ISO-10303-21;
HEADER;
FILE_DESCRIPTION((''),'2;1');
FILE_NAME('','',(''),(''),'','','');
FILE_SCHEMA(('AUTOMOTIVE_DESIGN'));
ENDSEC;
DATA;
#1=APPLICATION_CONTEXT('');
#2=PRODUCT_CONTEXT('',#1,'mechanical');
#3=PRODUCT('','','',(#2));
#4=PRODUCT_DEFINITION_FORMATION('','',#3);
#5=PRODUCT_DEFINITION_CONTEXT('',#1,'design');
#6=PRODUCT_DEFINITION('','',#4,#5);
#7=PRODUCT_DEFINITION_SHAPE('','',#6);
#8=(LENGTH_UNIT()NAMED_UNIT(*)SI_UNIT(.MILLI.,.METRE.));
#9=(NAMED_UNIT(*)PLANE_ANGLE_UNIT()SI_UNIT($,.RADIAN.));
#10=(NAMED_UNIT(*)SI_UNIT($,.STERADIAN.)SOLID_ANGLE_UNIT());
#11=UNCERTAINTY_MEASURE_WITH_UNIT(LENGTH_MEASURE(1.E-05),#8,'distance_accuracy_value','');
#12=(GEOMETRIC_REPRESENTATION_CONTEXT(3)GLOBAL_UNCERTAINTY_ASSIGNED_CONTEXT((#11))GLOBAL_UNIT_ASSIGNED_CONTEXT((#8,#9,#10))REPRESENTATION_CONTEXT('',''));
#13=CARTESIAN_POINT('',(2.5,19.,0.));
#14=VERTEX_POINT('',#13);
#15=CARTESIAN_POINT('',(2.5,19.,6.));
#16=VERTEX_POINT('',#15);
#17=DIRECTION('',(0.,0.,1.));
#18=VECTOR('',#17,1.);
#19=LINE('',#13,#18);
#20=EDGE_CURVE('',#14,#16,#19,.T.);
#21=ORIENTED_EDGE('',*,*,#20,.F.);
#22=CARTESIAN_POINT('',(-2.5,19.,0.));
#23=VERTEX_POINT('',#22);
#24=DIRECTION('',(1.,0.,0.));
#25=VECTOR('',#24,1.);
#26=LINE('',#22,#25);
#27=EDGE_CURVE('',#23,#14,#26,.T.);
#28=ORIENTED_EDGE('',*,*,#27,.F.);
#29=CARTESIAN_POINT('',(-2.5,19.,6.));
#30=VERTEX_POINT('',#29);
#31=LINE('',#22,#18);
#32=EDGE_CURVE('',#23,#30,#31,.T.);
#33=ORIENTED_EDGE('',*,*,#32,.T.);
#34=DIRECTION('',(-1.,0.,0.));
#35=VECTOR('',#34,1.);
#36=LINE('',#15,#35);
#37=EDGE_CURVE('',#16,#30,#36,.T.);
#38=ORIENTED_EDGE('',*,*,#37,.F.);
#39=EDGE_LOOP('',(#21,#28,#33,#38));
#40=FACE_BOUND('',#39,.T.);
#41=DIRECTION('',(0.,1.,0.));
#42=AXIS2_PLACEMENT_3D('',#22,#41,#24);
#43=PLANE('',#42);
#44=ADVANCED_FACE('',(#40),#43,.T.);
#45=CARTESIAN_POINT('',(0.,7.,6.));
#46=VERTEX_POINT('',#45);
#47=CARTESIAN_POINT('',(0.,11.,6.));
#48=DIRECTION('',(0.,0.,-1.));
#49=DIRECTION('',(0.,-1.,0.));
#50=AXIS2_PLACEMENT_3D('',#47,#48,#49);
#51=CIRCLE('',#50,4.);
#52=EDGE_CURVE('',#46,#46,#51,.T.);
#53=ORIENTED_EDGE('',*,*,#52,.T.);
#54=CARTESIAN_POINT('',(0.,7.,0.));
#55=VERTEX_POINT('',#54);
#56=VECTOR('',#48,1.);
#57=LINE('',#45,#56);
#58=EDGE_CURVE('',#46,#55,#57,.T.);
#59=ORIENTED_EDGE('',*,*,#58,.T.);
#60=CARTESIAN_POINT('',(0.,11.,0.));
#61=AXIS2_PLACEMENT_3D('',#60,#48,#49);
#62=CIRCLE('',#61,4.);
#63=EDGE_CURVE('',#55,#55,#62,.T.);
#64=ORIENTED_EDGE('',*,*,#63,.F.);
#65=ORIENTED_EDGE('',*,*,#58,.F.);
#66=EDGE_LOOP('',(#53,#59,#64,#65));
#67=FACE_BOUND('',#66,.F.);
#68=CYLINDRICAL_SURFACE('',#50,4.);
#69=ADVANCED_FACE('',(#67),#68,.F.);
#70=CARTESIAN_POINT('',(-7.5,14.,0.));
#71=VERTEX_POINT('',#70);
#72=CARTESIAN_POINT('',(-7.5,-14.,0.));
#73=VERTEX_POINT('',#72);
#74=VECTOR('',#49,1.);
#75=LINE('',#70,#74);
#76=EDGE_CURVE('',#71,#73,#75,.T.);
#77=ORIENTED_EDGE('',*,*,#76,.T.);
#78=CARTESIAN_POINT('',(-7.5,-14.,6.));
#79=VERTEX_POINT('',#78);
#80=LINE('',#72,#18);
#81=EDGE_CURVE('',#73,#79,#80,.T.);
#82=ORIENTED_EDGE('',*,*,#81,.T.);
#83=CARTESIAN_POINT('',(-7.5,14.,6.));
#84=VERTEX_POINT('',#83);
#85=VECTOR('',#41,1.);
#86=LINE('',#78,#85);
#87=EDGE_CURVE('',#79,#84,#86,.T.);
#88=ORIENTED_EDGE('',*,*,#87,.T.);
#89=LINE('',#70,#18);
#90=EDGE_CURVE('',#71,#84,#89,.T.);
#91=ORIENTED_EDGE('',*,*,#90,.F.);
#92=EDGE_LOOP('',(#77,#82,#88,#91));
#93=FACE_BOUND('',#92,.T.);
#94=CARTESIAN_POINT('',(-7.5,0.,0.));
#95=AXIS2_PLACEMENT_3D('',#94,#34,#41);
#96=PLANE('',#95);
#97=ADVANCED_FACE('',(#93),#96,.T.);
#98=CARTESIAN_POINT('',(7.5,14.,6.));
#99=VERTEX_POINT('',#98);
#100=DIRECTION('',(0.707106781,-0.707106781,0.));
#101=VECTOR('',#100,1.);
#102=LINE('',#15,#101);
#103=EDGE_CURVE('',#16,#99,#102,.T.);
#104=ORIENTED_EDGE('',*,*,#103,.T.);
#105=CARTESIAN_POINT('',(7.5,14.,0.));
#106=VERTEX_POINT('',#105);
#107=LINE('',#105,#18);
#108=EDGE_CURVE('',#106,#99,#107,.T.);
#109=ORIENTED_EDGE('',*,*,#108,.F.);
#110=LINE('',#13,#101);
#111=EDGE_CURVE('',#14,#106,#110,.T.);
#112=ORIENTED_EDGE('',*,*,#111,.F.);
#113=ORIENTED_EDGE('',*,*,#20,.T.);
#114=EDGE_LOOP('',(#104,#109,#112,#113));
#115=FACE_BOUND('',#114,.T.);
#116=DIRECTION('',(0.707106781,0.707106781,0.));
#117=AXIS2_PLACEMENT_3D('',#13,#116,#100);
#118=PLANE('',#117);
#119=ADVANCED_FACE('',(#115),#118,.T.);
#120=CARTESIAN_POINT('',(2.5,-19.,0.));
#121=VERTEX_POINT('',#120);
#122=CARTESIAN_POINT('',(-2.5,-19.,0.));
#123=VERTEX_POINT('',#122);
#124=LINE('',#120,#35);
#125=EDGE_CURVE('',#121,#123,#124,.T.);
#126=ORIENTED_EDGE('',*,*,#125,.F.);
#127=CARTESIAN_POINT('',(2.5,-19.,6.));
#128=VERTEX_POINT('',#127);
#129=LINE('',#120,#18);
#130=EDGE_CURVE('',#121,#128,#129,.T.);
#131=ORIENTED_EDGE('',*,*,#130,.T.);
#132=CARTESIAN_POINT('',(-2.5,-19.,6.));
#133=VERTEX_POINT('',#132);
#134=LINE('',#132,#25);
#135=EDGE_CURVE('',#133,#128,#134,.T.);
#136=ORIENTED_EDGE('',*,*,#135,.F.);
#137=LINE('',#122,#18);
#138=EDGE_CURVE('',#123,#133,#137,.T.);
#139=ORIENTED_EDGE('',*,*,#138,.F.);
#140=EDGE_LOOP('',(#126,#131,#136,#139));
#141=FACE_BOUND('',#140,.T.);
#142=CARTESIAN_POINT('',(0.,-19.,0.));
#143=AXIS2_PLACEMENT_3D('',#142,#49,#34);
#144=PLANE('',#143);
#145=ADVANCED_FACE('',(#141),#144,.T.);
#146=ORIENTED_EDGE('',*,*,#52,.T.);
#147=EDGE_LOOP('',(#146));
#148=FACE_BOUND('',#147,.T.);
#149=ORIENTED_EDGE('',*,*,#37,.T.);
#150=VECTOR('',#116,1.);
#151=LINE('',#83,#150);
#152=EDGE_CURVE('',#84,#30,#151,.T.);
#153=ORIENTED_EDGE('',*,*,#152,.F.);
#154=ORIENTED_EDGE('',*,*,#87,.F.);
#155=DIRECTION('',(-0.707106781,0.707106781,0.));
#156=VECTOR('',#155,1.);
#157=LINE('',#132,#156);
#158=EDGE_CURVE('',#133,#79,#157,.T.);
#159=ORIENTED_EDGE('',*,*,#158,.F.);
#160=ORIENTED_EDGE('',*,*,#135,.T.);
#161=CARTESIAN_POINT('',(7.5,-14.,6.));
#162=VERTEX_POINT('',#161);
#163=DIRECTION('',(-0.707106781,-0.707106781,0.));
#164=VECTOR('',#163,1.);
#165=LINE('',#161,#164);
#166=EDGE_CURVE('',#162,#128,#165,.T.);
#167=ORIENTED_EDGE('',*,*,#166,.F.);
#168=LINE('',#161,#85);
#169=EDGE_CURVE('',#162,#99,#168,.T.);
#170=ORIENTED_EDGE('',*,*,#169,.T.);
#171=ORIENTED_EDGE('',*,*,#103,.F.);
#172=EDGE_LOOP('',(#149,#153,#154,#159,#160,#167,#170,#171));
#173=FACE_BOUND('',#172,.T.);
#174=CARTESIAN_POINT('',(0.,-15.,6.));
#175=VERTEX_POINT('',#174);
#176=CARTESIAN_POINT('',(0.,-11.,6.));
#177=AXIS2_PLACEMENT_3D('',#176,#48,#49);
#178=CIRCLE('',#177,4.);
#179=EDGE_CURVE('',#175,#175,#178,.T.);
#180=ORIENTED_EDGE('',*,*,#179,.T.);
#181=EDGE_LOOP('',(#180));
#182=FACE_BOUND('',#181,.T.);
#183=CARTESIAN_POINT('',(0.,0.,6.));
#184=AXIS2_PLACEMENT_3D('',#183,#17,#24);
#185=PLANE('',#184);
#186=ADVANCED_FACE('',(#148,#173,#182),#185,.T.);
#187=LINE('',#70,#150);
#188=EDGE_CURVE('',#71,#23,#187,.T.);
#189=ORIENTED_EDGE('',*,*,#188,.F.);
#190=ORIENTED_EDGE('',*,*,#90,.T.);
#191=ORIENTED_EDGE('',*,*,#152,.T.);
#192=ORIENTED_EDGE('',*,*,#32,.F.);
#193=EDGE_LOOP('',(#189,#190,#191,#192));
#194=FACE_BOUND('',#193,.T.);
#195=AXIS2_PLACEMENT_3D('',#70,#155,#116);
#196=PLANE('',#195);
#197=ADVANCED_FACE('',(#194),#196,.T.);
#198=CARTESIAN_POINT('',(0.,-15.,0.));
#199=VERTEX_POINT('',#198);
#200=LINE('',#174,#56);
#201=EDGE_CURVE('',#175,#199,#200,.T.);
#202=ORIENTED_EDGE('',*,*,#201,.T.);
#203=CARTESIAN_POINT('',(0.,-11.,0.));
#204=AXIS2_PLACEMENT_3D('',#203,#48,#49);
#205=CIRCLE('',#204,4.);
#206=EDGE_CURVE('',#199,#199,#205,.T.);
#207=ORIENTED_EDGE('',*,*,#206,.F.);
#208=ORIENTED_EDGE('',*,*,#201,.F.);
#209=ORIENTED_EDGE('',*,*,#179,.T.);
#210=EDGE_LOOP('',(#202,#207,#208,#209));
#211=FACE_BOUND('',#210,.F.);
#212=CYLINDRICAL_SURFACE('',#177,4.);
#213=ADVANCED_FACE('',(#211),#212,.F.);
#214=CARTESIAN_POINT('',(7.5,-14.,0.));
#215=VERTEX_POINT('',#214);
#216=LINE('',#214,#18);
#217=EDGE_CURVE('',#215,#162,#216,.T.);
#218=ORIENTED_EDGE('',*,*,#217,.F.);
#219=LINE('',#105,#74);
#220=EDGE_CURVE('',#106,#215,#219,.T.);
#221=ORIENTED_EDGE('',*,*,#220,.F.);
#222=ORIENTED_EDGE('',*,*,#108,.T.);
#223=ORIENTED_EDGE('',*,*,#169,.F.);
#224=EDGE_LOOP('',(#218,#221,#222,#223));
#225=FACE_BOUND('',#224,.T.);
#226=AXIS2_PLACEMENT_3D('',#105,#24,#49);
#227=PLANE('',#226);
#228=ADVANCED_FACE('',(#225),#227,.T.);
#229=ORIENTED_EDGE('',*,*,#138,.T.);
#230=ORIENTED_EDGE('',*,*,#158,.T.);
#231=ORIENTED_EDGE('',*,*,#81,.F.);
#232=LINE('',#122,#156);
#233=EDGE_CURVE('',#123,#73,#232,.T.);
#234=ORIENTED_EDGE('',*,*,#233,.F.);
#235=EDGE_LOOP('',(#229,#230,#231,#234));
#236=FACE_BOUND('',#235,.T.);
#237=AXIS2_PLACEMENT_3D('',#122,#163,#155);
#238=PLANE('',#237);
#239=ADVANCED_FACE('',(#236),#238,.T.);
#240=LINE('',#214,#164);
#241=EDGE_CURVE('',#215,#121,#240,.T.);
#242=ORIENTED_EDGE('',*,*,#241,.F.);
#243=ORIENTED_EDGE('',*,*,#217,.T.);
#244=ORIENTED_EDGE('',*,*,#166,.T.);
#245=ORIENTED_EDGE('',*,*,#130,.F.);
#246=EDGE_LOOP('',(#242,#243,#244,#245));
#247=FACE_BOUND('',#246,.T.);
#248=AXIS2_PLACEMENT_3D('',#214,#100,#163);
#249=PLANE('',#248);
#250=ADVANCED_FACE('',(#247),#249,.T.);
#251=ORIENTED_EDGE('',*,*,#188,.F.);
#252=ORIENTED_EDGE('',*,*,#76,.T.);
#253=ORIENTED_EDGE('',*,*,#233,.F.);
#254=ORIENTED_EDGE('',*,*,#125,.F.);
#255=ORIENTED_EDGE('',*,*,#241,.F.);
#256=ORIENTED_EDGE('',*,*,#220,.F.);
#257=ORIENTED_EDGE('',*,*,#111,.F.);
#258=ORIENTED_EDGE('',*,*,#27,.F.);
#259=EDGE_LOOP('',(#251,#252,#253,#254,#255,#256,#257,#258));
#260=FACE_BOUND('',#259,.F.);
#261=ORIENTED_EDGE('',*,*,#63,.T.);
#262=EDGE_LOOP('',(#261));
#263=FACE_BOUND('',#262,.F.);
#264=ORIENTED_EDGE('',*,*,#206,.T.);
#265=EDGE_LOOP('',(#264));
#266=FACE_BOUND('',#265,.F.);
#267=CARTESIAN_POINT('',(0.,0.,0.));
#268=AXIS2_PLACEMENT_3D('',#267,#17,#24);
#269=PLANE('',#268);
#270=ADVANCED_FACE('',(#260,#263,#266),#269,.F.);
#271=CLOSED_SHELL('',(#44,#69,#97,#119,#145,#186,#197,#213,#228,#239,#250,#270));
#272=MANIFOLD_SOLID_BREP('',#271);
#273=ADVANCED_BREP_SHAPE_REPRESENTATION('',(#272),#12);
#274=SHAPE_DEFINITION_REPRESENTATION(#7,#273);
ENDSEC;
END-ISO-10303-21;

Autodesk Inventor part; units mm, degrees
ref_plane "YZ Plane" through (0, 0, 0) normal (1, 0, 0) x (0, 1, 0)
ref_plane "XZ Plane" through (0, 0, 0) normal (0, 1, 0) x (-1, 0, 0)
ref_plane "XY Plane" through (0, 0, 0) normal (0, 0, 1) x (1, 0, 0)
sketch "Sketch1" plane through (0, 0, 0) normal (0, 0, 1) x (1, 0, 0)
  line L0 (-9, 0) -> (12, 0) projected
  line L1 (0, 30.4) -> (0, -22.8) projected
  line L2 (-2.5, 19) -> (2.5, 19)
  line L3 (2.5, 19) -> (7.5, 14)
  line L4 (7.5, 14) -> (7.5, -14)
  line L5 (7.5, -14) -> (2.5, -19)
  line L6 (2.5, -19) -> (-2.5, -19)
  line L7 (-2.5, -19) -> (-7.5, -14)
  line L8 (-7.5, -14) -> (-7.5, 14)
  line L9 (-7.5, 14) -> (-2.5, 19)
  dimension "d0" = 5
  dimension "d1" = 38
  dimension "d2" = 5
  dimension "d3" = 45
  dimension "d5" = 45
  dimension "d6" = 45
  dimension "d7" = 5
  dimension "d8" = 15
  dimension "d10" = 5
extrude "Extrusion1" add sketch "Sketch1" along normal blind 6
sketch "Sketch2" plane through (0, 0, 6) normal (0, 0, 1) x (1, 0, 0)
  line L0 (-2.5, 19) -> (2.5, 19) projected
  line L1 (2.5, -19) -> (-2.5, -19) projected
  line L2 (0, 30.4) -> (0, -22.8) projected
  point P0 (0, 11)
  point P1 (0, -11)
  dimension "d13" = 8
  dimension "d14" = 8
hole "Hole1" at (0, 11, 6) at (0, -11, 6) direction (0, 0, -1) diameter 8 end through all
properties part number "Link"
